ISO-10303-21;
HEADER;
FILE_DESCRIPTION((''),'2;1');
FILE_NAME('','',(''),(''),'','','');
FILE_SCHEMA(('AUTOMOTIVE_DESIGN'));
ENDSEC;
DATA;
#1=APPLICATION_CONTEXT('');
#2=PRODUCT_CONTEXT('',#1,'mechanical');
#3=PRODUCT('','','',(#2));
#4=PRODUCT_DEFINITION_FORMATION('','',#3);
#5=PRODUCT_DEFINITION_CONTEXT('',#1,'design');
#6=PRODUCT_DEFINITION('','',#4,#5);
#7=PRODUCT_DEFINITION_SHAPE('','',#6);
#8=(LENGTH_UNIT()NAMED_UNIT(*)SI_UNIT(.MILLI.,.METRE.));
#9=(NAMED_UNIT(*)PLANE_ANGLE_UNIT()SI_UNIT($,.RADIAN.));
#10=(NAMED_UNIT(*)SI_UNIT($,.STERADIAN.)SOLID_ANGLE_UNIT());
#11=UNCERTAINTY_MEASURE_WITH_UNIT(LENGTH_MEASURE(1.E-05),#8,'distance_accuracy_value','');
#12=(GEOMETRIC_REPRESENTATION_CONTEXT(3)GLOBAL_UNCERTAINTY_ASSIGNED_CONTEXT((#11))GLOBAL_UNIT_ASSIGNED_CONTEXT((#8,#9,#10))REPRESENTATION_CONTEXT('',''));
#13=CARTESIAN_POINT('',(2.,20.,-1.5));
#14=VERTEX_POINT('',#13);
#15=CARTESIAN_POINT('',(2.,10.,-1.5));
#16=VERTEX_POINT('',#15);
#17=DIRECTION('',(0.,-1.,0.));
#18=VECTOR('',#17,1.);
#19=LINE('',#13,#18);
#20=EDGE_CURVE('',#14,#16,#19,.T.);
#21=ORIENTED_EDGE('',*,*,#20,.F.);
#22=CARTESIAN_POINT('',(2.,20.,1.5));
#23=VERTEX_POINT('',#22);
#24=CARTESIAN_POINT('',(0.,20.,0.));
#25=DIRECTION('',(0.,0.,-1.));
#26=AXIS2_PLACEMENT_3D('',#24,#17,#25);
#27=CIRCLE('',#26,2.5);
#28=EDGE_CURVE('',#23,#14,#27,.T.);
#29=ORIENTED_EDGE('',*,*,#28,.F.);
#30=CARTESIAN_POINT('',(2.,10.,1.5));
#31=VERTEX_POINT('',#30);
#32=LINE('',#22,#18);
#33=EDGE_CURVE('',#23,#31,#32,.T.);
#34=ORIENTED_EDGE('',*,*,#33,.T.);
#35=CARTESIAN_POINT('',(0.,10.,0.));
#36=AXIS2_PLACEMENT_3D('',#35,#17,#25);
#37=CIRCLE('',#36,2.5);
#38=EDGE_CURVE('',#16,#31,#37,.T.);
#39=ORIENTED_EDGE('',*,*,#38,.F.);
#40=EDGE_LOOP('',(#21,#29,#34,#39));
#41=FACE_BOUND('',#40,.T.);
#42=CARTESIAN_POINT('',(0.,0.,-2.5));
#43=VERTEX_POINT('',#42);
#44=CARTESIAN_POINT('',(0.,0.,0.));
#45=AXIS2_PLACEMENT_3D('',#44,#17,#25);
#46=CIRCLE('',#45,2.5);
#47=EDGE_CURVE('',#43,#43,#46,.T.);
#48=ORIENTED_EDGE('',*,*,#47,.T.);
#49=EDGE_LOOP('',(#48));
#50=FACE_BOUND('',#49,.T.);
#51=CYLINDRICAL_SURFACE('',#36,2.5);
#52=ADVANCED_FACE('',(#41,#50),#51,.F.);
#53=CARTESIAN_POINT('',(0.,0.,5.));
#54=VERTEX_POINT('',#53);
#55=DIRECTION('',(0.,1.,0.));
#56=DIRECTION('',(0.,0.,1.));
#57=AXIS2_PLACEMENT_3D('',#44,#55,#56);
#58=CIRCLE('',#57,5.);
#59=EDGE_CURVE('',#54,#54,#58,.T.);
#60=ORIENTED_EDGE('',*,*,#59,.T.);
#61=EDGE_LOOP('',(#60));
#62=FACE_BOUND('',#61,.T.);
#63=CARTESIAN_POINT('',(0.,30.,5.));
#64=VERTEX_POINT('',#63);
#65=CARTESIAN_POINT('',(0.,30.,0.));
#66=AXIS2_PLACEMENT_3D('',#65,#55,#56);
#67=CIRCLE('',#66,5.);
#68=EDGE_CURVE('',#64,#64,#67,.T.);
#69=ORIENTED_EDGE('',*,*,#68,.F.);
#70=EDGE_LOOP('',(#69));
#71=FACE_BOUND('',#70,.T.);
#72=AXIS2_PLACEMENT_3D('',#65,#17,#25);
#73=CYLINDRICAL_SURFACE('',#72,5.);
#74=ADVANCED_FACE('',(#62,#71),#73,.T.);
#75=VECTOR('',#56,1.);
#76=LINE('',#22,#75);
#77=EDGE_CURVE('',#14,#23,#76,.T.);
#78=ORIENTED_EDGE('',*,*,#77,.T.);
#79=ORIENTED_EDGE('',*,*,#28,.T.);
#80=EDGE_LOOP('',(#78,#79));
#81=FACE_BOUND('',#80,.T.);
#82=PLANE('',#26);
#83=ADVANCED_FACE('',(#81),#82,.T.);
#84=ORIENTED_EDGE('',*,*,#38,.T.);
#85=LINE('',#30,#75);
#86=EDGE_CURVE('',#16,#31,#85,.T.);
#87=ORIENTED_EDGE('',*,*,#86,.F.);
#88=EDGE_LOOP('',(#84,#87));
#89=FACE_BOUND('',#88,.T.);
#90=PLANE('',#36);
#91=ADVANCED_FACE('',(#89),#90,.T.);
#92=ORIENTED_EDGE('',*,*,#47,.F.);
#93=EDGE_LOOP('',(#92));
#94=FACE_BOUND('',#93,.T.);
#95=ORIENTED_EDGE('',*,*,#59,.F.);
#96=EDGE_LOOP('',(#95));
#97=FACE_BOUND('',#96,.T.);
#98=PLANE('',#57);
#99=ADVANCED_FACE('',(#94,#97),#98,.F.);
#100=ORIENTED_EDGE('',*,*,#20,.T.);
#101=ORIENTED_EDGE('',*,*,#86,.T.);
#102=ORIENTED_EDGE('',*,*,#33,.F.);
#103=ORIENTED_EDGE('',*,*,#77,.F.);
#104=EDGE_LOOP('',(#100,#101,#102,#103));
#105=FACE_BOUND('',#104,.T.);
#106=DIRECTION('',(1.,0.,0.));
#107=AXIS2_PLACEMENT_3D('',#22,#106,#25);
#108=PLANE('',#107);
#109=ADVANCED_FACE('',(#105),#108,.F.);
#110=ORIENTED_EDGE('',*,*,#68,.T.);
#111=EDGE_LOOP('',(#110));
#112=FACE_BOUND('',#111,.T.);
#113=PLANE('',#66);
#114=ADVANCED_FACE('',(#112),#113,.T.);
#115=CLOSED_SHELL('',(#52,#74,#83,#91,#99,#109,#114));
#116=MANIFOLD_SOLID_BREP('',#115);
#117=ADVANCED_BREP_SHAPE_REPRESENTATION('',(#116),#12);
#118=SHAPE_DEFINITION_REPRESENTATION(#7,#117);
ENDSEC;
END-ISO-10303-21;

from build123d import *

# Parameters (mm, degrees)
SKETCH2_R           = 5
BOSS_EXTRUDE1_DEPTH = 30
SKETCH3_R           = 2.5
CUT_EXTRUDE1_DEPTH  = 10
CUT_EXTRUDE2_DEPTH  = 10


with BuildPart() as part:
    # Sketch2 → Boss-Extrude1 (new body)
    with BuildSketch(Plane(origin=(0, 0, 0), x_dir=(1, 0, 0), z_dir=(0, 1, 0))):
        with Locations(Location((0, 0, 0), (0, 0, 270))):
            Circle(SKETCH2_R)
    extrude(amount=BOSS_EXTRUDE1_DEPTH)

    # Sketch3 → Cut-Extrude1 (cut)
    with BuildSketch(Plane(origin=(0, 0, 0), x_dir=(-1, 0, 0), z_dir=(0, -1, 0))):
        with Locations(Location((0, 0, 0), (0, 0, 90))):
            Circle(SKETCH3_R)
    extrude(amount=-CUT_EXTRUDE1_DEPTH, mode=Mode.SUBTRACT)

    # Sketch4 → Cut-Extrude2 (cut)
    with BuildSketch(Plane.XZ.offset(-10)):
        with BuildLine():
            Line((2, 1.5), (2, -1.5))
            ThreePointArc((2, -1.5), (-2.5, 0), (2, 1.5))
        make_face()
    extrude(amount=-CUT_EXTRUDE2_DEPTH, mode=Mode.SUBTRACT)


solid = part.part
